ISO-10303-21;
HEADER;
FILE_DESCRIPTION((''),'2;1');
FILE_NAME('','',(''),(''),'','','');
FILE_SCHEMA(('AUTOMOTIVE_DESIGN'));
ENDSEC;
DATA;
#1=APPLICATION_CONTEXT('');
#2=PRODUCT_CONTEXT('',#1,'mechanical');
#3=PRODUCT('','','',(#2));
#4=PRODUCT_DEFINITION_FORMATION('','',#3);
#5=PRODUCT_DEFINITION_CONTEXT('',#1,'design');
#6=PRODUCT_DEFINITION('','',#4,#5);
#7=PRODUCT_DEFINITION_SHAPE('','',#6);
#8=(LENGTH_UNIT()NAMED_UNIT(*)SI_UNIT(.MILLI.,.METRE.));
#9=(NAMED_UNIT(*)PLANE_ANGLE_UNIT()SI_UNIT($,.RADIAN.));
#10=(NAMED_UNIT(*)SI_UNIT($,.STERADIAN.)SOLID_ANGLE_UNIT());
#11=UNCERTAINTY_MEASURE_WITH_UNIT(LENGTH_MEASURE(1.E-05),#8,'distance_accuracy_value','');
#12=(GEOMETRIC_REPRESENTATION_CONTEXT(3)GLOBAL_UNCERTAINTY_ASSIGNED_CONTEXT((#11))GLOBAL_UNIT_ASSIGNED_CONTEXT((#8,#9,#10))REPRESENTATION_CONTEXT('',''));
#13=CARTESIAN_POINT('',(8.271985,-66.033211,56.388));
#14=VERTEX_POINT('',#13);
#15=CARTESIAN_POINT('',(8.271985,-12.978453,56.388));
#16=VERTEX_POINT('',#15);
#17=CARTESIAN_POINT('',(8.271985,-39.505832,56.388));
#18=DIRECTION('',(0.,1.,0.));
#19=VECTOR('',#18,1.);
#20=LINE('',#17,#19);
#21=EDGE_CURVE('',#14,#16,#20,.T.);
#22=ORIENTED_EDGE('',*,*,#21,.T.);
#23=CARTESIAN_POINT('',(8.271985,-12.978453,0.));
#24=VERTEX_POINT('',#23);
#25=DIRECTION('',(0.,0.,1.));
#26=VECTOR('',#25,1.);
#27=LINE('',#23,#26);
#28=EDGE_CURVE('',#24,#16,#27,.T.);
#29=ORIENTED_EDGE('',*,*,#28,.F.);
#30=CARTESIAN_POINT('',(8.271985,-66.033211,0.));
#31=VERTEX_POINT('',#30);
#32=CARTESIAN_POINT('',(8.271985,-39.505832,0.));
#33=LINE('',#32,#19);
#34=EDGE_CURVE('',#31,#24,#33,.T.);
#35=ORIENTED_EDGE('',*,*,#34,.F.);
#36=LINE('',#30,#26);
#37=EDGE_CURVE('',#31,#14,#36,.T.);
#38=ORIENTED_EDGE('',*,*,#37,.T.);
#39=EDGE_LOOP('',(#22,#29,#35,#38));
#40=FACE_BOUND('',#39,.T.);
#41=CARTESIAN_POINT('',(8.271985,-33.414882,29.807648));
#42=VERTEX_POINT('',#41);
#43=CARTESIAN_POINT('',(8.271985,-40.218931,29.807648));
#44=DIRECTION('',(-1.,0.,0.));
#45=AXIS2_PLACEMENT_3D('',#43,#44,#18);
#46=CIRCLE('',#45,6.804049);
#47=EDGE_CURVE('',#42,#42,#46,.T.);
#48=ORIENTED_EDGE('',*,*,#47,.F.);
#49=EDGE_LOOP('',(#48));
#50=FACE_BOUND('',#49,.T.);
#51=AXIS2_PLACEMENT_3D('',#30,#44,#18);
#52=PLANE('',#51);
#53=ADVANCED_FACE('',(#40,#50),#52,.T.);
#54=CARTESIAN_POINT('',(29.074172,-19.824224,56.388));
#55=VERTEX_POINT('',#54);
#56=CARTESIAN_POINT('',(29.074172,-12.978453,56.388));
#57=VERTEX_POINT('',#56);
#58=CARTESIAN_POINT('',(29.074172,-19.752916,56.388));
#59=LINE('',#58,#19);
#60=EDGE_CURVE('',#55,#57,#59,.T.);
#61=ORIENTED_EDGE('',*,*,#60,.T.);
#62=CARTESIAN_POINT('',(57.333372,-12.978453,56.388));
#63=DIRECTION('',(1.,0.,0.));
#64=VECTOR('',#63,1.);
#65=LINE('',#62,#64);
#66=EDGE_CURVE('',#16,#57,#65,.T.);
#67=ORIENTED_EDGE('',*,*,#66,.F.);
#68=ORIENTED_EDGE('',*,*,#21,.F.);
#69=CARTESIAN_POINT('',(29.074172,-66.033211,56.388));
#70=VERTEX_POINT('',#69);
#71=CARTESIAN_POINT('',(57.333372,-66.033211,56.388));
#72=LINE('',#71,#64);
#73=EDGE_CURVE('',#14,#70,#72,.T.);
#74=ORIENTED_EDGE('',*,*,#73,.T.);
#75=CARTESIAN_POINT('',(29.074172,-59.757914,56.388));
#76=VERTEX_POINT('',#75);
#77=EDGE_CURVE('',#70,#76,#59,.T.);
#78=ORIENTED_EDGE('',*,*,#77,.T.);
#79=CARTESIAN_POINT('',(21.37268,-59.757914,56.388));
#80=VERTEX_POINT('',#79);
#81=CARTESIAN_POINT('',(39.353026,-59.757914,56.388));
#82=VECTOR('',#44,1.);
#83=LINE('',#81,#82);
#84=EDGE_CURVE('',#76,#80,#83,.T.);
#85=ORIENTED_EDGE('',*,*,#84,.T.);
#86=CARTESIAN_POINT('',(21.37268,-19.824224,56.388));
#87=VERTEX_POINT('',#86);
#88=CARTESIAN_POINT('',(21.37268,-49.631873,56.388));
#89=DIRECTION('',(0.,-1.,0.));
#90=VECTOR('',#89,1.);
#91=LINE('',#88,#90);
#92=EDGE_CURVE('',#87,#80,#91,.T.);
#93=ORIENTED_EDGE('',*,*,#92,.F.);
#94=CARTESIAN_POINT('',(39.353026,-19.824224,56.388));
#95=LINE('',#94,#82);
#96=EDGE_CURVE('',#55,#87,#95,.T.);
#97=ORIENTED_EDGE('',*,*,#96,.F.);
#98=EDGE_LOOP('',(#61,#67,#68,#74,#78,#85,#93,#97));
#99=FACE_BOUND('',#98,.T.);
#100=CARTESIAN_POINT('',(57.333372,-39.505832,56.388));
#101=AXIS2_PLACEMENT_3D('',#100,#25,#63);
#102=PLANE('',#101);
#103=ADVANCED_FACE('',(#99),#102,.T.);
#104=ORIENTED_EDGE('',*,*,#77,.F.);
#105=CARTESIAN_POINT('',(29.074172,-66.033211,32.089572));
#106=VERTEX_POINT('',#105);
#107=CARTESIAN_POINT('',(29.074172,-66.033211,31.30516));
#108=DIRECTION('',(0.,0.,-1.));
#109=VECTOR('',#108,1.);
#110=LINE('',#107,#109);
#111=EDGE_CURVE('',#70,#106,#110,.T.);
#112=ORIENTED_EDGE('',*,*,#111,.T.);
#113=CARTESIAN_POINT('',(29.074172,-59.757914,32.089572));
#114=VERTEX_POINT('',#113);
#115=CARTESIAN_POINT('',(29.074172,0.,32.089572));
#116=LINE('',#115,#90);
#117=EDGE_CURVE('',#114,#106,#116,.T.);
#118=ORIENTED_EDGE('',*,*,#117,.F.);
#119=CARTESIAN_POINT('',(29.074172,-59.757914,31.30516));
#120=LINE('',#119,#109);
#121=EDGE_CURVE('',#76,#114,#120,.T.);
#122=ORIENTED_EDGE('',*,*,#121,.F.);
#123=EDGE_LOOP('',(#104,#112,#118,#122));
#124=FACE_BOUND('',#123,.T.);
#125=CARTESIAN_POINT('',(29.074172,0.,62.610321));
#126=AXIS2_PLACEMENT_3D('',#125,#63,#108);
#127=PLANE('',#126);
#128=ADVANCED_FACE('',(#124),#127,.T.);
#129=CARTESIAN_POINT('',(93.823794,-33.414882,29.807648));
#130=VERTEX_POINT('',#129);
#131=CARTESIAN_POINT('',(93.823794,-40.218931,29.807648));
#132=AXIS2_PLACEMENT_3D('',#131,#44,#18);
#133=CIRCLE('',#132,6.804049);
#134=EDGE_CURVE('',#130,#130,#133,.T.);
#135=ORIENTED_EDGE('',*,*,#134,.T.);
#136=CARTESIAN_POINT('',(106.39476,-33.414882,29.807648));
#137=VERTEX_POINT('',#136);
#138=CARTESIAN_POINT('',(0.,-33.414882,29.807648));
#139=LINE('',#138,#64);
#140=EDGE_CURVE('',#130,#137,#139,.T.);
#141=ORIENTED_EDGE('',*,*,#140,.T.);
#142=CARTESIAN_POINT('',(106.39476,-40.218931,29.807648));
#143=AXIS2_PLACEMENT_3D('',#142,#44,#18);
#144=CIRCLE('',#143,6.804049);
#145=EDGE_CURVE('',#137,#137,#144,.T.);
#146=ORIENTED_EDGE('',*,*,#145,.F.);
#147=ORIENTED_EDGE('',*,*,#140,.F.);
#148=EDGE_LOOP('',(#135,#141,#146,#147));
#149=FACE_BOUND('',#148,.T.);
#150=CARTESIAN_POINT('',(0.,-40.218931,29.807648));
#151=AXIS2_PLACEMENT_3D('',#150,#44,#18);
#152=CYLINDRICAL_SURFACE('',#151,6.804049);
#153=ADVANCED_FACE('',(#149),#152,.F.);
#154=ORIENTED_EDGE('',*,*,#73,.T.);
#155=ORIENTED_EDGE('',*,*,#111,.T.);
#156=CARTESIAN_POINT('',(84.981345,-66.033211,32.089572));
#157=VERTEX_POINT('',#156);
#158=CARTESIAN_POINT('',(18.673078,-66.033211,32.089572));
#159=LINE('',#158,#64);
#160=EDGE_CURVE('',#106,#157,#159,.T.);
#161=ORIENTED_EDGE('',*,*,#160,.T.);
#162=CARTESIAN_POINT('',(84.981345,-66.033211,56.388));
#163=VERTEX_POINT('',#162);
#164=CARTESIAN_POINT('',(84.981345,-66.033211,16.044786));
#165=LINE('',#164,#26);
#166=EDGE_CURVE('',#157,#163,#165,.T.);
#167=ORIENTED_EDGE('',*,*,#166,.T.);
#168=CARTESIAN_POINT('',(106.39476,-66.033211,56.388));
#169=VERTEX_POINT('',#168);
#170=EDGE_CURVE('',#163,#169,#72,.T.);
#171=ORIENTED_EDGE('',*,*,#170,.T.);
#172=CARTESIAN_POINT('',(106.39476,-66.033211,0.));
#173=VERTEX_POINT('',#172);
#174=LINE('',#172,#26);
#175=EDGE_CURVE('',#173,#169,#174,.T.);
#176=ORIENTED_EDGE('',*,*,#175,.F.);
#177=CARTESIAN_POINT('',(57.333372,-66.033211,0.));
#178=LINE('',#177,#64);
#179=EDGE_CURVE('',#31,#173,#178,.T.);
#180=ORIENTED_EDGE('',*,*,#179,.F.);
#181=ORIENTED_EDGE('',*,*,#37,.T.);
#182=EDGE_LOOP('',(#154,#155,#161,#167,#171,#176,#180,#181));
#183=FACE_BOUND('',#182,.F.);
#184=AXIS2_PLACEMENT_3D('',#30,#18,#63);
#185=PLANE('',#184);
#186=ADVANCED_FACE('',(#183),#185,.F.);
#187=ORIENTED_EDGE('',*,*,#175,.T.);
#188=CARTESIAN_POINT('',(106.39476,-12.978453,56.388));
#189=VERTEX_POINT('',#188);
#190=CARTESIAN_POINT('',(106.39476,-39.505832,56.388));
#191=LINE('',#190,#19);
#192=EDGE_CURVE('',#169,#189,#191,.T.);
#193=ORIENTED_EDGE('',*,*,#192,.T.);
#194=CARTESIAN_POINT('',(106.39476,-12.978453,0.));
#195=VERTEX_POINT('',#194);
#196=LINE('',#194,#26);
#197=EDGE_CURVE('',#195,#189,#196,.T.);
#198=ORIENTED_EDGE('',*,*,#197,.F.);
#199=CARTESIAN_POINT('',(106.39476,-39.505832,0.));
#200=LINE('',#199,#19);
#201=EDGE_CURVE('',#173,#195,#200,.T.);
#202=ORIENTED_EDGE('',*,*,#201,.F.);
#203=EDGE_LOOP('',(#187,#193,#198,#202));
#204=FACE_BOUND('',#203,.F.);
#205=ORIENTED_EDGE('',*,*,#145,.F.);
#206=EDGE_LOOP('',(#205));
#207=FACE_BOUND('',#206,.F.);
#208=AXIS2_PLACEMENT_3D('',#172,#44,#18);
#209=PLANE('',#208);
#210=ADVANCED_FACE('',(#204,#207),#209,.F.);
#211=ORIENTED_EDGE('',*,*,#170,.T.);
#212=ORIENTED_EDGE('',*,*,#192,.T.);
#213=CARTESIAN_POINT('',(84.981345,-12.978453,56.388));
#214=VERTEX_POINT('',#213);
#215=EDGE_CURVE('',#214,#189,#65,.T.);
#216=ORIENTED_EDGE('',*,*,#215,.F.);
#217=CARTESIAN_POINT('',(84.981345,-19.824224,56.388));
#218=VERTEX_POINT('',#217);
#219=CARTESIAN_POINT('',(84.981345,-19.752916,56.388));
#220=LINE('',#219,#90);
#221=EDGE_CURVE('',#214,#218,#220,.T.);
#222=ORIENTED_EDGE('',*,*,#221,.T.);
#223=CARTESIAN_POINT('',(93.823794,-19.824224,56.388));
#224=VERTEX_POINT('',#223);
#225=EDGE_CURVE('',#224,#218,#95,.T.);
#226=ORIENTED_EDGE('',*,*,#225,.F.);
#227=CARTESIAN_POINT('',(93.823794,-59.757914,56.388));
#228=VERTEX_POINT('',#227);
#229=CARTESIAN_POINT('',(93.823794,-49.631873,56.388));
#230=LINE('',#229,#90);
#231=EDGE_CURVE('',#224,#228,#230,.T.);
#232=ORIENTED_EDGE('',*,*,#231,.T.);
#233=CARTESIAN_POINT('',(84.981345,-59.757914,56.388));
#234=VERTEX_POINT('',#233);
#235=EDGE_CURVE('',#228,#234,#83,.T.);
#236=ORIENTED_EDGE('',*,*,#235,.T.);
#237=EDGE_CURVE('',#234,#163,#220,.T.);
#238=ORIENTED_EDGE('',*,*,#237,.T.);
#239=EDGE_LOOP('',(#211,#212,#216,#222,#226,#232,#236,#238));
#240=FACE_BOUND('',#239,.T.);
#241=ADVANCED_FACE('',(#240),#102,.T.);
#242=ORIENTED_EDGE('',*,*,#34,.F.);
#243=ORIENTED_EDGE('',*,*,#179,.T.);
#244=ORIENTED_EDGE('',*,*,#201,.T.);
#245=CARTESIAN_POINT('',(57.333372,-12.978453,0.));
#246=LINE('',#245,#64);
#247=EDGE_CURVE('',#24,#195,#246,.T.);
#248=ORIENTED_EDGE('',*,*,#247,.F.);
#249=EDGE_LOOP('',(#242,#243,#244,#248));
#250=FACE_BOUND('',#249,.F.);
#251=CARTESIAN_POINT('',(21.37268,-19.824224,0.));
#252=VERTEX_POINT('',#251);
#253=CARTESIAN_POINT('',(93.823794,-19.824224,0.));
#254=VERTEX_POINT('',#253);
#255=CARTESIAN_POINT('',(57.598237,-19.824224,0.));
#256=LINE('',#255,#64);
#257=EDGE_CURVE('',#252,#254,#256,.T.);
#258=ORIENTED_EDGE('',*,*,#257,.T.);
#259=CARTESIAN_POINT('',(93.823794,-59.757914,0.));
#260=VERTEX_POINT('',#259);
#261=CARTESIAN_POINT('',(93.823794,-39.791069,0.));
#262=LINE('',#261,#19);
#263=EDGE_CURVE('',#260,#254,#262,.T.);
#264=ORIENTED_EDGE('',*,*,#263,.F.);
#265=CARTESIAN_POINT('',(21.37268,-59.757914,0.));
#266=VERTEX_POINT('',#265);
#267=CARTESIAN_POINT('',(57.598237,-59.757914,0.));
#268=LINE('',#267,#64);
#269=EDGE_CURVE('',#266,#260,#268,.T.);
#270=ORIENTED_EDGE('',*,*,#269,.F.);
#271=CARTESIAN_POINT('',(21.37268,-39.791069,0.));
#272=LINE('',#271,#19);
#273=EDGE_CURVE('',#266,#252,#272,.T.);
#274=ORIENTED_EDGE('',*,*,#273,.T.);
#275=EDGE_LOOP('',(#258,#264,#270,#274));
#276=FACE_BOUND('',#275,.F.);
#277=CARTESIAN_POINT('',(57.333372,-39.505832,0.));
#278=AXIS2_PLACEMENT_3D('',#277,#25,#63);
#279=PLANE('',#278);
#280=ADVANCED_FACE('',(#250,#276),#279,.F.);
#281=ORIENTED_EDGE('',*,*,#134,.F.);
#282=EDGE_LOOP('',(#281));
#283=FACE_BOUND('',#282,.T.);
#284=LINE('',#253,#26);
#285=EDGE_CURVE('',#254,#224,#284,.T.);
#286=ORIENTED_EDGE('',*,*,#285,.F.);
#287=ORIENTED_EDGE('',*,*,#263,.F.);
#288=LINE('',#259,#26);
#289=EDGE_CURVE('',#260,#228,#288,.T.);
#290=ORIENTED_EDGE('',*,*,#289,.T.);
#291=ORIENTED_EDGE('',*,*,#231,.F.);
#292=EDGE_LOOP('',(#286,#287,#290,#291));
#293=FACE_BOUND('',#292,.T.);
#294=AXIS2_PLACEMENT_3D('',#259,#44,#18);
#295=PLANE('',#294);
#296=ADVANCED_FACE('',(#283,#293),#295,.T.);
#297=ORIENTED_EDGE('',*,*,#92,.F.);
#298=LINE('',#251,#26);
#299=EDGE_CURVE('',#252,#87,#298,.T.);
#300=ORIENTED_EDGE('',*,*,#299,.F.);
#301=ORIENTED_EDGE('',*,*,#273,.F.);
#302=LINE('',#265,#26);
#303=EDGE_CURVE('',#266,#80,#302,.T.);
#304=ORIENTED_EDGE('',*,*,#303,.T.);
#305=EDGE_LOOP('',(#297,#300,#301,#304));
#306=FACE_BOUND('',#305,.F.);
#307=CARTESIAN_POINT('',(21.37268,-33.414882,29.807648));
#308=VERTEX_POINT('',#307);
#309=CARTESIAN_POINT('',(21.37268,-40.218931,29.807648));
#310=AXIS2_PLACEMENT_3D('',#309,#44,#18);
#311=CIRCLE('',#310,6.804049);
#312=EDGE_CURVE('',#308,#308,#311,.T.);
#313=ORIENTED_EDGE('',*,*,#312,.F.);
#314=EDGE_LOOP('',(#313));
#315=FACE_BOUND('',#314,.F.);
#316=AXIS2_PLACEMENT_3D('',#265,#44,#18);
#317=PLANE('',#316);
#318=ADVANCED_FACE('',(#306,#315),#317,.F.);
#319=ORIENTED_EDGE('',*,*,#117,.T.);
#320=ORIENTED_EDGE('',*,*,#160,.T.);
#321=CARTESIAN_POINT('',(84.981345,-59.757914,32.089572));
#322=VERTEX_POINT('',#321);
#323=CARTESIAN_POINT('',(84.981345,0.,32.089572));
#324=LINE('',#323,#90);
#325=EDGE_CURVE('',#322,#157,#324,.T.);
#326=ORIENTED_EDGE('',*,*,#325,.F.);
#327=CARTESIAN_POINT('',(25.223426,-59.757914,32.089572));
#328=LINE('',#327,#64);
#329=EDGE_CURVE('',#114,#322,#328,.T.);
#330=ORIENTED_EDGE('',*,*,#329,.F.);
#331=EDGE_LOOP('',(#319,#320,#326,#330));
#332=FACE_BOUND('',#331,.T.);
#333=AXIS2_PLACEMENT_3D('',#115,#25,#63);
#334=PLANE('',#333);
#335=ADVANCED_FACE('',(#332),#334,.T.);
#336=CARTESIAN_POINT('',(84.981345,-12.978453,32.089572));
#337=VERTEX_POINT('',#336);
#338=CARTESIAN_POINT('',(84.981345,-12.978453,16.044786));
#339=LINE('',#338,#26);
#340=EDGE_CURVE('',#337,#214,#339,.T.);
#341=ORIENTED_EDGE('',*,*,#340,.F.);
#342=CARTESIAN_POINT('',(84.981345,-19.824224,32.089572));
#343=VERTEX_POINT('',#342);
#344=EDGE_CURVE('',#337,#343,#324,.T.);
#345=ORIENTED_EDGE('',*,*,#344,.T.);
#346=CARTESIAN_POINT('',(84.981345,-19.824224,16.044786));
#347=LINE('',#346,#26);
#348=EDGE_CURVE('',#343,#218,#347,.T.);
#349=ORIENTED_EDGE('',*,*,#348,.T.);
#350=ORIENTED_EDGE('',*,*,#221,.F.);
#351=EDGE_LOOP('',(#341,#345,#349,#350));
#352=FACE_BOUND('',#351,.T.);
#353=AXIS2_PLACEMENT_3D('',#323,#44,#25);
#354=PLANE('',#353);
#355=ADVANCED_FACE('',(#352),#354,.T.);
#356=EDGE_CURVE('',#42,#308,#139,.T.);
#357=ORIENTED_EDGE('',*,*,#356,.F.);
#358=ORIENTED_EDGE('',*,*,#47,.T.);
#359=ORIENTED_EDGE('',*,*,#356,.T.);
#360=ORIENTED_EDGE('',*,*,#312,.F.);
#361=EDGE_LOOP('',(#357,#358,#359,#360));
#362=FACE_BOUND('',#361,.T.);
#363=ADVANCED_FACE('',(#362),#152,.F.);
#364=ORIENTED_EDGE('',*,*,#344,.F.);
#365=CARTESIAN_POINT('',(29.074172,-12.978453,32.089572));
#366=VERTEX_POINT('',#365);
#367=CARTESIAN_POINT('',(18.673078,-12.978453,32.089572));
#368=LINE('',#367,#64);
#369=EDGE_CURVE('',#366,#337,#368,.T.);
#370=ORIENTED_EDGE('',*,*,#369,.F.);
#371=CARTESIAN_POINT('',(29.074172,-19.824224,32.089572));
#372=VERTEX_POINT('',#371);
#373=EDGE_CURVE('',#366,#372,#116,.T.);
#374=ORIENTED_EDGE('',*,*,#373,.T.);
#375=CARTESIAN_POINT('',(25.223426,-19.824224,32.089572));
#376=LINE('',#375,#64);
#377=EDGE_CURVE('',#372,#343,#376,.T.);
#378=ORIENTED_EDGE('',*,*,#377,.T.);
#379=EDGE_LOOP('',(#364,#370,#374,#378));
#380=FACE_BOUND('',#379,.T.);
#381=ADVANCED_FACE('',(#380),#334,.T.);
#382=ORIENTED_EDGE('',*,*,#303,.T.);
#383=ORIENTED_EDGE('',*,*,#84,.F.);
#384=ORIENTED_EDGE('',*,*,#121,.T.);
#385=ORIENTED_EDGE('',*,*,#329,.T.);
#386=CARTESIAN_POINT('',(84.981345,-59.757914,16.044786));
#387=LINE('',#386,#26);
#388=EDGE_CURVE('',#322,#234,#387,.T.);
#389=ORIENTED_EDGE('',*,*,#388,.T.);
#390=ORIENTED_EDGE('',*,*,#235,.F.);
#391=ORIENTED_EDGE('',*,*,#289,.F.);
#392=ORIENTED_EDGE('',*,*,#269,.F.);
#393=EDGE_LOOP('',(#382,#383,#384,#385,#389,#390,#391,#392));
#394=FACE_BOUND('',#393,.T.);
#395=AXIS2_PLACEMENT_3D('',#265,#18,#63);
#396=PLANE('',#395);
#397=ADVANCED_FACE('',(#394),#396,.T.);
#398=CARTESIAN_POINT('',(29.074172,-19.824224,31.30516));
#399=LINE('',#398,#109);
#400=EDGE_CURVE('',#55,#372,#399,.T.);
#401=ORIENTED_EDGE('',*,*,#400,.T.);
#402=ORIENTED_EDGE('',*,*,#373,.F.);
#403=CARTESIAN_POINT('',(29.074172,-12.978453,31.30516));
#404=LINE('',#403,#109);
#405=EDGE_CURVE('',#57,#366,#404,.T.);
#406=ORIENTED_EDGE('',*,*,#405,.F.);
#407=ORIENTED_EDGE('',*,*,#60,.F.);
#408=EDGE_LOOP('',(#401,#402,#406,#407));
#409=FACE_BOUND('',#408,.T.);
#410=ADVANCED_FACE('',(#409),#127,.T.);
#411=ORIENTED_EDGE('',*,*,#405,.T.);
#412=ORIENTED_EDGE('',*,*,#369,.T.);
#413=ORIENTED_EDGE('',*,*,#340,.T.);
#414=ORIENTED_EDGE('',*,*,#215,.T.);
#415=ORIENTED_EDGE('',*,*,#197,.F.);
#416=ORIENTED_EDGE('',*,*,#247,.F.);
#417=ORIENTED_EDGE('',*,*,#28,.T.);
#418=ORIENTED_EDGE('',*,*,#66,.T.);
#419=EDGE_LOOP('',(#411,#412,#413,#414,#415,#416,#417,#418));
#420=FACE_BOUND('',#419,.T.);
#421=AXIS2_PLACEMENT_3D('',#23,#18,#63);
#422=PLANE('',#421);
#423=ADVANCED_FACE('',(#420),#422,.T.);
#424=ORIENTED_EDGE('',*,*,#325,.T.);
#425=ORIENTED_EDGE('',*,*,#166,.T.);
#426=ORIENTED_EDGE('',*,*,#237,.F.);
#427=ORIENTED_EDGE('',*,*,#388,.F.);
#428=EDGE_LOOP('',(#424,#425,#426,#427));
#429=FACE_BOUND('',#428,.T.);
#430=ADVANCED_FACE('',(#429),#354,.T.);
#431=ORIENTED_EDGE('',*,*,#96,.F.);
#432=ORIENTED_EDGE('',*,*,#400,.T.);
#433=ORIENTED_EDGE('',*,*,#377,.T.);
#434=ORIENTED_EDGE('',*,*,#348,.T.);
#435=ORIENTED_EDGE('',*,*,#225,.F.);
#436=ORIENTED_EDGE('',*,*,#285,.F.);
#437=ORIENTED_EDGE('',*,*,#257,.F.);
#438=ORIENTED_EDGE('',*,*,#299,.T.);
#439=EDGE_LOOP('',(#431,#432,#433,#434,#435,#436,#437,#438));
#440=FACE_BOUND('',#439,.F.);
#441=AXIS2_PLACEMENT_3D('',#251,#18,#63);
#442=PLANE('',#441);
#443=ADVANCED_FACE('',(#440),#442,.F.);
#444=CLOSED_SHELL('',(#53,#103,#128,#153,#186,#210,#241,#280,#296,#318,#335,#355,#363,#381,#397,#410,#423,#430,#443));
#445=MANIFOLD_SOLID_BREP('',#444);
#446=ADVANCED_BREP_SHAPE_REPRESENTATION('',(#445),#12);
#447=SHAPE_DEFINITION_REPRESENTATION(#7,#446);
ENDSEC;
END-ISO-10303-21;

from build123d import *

# Parameters (mm, degrees)
F0_W     = 98.122775
F0_H     = 53.054758
F1_DEPTH = 56.388
F2_W     = 72.451114
F2_H     = 39.933689
F3_DEPTH = 56.389
F4_R     = 6.804049
F5_DEPTH = 106.39576
F7_DEPTH = 101.6


with BuildPart() as f1:
    # F0 (on Top) → F1 (new body)
    with BuildSketch(Plane.XY):
        with Locations((57.333372, -39.505832)):
            Rectangle(F0_W, F0_H)
    extrude(amount=F1_DEPTH)

    # F2 (on Top) → F3 (cut, through all)
    with BuildSketch(Plane.XY):
        with Locations((57.598237, -39.791069)):
            Rectangle(F2_W, F2_H)
    extrude(amount=F3_DEPTH, mode=Mode.SUBTRACT)

    # F4 (on Right) → F5 (cut, through all)
    with BuildSketch(Plane.YZ):
        with Locations((-40.218931, 29.807648)):
            Circle(F4_R)
    extrude(amount=F5_DEPTH, mode=Mode.SUBTRACT)

    # F6 (on Front) → F7 (cut)
    with BuildSketch(Plane.XZ):
        Polygon((84.981345, 64.892247), (40.198553, 62.610321), (29.074172, 62.610321), (29.074172, 32.089572), (84.981345, 32.089572), align=None)
    extrude(amount=F7_DEPTH, mode=Mode.SUBTRACT)


solid = f1.part
